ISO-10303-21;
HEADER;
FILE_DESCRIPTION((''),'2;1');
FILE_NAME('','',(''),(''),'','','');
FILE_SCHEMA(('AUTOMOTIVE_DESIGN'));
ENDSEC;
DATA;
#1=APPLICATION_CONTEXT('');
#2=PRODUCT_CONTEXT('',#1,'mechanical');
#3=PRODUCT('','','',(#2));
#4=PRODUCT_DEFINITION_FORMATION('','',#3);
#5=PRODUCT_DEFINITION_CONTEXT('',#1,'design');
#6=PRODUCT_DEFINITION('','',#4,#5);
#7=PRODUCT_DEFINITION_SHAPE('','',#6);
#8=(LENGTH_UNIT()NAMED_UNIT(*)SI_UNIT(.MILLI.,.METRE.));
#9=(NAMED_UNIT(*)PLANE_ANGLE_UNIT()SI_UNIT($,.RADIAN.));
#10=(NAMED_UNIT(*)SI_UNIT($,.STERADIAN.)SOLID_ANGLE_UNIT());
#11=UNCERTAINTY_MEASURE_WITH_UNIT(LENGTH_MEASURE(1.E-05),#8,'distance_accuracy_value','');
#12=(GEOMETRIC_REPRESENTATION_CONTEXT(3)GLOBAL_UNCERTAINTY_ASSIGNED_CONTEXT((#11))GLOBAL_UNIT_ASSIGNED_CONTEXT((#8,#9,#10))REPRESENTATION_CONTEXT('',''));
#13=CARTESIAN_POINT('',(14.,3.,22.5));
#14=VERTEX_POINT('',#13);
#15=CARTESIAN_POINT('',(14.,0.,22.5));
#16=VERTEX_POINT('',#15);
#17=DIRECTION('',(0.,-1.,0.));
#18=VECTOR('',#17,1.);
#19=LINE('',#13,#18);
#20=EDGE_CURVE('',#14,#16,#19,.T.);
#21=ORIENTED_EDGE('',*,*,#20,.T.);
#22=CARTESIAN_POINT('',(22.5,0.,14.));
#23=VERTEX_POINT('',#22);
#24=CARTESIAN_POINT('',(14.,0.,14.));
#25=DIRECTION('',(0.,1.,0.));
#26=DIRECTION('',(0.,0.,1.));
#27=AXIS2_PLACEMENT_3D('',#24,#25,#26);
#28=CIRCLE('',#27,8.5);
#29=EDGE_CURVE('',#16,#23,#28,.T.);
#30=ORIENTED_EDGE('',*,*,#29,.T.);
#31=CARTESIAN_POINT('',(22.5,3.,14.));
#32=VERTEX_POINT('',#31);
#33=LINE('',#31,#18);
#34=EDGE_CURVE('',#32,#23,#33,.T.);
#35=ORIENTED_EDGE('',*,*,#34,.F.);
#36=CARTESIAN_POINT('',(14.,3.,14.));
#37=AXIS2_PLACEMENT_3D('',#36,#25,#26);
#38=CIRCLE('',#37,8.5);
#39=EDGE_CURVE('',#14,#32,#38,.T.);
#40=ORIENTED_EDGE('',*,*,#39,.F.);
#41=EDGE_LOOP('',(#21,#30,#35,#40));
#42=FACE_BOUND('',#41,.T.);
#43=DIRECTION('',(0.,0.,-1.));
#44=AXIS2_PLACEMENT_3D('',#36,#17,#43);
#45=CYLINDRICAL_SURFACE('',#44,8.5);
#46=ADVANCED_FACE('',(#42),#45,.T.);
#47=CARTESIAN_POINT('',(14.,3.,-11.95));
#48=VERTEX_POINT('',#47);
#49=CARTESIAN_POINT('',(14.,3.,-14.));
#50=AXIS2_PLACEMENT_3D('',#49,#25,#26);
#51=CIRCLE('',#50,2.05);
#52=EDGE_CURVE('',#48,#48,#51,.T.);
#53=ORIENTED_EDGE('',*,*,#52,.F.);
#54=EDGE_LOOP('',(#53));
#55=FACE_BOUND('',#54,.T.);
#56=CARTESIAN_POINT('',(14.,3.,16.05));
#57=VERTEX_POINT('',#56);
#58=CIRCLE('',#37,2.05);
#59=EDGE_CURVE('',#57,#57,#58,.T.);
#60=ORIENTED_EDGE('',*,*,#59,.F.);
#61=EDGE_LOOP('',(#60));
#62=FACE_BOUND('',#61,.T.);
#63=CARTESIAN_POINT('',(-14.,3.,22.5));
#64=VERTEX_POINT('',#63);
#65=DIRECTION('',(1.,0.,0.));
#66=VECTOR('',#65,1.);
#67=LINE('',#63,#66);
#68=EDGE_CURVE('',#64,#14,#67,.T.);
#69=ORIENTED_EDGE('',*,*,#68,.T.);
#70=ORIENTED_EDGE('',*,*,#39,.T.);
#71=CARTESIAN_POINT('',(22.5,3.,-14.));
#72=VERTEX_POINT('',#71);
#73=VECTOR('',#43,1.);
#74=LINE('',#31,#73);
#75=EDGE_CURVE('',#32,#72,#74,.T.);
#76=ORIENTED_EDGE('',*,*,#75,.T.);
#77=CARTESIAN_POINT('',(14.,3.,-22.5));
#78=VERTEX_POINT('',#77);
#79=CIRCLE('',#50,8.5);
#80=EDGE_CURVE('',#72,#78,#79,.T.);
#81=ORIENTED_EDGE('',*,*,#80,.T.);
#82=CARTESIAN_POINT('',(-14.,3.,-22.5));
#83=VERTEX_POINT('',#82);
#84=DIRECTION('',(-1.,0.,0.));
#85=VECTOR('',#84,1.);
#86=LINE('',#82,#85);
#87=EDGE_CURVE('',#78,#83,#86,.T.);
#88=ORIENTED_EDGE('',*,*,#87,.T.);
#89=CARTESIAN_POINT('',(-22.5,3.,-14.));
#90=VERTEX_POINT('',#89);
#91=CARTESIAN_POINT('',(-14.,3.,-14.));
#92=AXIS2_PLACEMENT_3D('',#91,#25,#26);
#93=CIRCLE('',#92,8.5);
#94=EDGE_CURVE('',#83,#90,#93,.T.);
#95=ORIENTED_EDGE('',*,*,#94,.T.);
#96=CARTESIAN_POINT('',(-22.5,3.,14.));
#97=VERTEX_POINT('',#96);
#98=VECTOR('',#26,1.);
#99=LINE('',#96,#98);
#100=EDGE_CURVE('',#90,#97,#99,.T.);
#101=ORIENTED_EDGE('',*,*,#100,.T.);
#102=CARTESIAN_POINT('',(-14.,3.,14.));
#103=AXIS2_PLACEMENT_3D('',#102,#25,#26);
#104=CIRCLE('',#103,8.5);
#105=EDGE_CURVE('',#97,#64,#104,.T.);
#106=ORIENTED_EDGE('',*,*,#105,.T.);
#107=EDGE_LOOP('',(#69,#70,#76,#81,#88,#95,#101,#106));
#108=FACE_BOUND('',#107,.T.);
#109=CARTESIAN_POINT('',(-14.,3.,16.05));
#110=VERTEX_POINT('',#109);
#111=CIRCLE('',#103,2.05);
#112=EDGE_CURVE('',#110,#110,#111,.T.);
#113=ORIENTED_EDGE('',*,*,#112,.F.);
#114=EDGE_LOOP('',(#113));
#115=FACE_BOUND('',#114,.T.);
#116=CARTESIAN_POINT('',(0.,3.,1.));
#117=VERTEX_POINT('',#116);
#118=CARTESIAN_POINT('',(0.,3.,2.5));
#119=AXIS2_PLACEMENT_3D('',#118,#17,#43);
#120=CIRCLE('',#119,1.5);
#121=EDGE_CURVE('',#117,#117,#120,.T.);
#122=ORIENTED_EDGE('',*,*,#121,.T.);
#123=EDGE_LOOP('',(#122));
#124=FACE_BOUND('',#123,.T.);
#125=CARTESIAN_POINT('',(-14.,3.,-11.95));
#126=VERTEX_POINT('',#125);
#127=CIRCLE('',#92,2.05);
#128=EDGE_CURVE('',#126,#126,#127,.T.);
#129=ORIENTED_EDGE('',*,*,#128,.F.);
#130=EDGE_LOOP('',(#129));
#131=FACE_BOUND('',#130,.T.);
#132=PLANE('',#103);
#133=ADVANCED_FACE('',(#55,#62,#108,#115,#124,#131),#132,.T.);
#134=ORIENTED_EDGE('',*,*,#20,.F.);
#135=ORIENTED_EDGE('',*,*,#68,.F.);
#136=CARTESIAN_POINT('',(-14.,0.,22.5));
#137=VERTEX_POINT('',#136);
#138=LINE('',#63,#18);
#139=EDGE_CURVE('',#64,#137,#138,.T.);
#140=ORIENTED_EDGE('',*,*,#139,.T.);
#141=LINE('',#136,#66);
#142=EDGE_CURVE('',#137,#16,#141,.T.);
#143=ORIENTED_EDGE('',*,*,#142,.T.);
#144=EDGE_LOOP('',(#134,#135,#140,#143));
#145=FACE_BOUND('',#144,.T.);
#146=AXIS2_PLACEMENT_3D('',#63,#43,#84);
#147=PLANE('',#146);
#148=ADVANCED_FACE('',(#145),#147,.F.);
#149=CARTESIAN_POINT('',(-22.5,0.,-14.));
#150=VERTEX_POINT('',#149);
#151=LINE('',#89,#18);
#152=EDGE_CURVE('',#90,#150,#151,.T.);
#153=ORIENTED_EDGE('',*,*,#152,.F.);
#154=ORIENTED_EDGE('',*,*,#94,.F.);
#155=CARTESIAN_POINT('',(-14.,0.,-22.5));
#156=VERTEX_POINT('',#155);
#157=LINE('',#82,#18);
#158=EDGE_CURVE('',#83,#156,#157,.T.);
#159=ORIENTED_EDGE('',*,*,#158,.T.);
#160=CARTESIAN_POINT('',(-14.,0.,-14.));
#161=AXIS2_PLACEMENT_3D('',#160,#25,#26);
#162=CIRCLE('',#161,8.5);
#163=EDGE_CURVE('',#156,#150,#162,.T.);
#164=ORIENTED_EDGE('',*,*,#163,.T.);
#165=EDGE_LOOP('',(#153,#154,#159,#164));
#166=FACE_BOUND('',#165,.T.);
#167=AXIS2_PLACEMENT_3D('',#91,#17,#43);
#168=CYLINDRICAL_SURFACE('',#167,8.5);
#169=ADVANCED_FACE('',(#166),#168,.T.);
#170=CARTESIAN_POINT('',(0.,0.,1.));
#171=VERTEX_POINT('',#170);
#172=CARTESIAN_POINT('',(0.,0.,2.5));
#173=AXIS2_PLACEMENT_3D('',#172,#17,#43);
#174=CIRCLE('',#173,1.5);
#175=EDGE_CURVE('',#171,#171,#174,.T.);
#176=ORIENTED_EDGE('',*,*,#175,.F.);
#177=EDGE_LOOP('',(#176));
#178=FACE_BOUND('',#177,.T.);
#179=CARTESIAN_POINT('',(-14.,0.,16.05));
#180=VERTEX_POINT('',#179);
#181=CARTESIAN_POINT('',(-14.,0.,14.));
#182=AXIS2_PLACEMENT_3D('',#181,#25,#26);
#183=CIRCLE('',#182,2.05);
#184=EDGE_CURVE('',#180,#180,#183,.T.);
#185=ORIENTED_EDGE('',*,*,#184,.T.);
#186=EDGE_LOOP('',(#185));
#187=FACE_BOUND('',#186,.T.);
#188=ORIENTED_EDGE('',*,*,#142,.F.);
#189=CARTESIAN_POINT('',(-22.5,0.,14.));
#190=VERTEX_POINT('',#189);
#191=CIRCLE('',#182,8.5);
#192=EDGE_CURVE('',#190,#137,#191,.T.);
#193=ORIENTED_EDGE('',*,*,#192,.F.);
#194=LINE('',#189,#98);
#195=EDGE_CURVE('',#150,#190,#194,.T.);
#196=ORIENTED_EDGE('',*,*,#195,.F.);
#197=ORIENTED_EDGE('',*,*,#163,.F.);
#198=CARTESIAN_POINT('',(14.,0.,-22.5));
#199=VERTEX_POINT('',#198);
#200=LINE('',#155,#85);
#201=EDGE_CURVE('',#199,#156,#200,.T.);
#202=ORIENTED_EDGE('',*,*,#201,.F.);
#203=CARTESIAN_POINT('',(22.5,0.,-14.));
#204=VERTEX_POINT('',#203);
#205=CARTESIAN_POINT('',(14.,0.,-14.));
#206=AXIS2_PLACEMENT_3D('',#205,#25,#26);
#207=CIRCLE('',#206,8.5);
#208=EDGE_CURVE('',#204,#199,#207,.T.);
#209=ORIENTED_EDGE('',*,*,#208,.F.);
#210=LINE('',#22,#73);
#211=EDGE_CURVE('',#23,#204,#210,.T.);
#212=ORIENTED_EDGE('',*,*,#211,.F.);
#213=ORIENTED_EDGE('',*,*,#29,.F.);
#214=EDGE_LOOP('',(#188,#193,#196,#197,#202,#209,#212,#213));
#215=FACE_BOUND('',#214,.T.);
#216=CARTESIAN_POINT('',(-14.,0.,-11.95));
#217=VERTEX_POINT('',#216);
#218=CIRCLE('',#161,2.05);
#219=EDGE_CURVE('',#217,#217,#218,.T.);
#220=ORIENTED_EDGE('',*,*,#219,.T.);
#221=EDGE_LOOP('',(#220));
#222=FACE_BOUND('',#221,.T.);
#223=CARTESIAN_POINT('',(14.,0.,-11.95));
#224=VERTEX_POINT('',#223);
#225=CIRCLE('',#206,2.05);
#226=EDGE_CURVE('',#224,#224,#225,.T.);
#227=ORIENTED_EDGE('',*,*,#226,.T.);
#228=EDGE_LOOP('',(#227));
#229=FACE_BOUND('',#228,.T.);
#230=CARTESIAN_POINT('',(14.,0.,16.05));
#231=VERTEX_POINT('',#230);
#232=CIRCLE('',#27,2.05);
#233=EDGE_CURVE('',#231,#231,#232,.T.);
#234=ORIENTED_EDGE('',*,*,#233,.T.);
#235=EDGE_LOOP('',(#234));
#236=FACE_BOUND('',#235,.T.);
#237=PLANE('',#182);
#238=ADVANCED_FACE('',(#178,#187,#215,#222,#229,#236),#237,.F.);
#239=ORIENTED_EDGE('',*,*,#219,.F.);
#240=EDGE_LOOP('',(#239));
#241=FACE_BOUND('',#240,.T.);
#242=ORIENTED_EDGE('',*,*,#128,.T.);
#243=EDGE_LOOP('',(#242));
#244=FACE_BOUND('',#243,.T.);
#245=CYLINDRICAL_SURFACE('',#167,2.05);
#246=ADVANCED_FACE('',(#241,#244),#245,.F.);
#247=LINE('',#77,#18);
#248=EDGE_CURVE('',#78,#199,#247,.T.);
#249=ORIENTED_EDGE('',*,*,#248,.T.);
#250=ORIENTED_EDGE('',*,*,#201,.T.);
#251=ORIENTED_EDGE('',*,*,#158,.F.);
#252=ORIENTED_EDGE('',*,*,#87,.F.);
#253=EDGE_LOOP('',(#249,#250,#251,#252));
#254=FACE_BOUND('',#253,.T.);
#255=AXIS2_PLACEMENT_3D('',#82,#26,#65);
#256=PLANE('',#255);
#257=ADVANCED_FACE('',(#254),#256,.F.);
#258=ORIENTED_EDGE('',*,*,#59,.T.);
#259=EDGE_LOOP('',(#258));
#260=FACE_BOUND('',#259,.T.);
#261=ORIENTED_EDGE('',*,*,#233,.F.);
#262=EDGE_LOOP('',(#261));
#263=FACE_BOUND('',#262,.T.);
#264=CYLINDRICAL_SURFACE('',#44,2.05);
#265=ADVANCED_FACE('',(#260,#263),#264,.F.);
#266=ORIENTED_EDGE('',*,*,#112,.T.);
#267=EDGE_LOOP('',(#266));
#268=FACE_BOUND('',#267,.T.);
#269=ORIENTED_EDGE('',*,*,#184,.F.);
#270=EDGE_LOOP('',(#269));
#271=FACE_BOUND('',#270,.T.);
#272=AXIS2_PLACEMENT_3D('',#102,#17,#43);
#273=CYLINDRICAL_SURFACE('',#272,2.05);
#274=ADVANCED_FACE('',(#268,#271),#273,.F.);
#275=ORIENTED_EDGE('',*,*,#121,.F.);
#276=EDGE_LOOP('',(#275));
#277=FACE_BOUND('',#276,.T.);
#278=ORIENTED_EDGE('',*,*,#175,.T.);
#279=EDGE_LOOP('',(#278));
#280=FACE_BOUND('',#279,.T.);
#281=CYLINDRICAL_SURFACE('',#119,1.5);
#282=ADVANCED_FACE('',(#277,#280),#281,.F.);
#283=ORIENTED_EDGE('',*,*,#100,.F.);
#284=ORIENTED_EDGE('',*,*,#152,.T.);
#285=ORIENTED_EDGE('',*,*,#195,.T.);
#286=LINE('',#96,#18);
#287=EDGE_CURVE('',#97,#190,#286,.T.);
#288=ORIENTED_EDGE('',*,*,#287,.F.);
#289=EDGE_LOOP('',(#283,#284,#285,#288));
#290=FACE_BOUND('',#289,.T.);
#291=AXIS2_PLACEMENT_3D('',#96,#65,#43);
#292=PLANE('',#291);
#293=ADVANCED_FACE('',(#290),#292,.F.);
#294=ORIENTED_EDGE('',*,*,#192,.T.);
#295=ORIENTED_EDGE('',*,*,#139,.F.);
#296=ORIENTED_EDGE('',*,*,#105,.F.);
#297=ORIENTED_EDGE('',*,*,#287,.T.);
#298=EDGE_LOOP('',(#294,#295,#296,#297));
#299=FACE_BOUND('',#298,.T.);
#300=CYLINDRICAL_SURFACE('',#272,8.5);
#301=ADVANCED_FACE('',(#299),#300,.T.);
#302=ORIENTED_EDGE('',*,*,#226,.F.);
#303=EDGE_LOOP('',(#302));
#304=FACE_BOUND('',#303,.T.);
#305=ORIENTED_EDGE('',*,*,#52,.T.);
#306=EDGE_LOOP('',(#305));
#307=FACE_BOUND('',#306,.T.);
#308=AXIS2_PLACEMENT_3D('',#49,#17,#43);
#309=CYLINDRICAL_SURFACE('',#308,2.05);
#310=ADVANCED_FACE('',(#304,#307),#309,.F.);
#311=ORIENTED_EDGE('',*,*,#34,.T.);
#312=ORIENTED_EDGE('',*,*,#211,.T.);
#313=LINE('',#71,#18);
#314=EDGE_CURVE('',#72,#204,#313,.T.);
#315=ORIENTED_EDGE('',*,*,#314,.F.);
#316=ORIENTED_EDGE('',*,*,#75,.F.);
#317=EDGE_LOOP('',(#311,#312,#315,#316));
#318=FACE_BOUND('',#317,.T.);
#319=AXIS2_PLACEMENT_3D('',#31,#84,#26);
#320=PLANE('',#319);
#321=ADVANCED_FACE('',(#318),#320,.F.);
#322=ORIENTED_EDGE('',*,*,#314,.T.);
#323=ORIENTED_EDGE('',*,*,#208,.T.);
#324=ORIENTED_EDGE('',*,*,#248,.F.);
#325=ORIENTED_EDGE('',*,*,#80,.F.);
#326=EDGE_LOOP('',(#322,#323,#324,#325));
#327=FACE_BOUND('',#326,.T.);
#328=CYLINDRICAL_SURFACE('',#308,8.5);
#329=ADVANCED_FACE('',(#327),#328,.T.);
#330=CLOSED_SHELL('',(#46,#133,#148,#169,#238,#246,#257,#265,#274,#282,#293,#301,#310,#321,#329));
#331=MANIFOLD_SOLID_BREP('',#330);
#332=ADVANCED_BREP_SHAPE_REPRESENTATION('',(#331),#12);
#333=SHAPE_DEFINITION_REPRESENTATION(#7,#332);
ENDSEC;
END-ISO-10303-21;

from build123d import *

# Parameters (mm, degrees)
SKETCH_1_R          = 2.05
EXTRUDE_1_DEPTH     = 3
SKETCH_2_R          = 1.5
CUT_EXTRUDE_1_DEPTH = 3


with BuildPart() as part:
    # Эскиз1 → Бобышка-Вытянуть1 (new body)
    with BuildSketch(Plane(origin=(0, 0, 0), x_dir=(1, 0, 0), z_dir=(0, 1, 0))):
        with BuildLine():
            Line((-14, -22.5), (14, -22.5))
            ThreePointArc((14, -22.5), (20.01040764, -20.01040764), (22.5, -14))
            Line((22.5, -14), (22.5, 14))
            ThreePointArc((22.5, 14), (20.01040764, 20.01040764), (14, 22.5))
            Line((14, 22.5), (-14, 22.5))
            ThreePointArc((-14, 22.5), (-20.01040764, 20.01040764), (-22.5, 14))
            Line((-22.5, 14), (-22.5, -14))
            ThreePointArc((-22.5, -14), (-20.01040764, -20.01040764), (-14, -22.5))
        make_face()
        with Locations(Location((14, 14, 0), (0, 0, 270))):
            Circle(SKETCH_1_R, mode=Mode.SUBTRACT)
        with Locations(Location((14, -14, 0), (0, 0, 270))):
            Circle(SKETCH_1_R, mode=Mode.SUBTRACT)
        with Locations(Location((-14, -14, 0), (0, 0, 270))):
            Circle(SKETCH_1_R, mode=Mode.SUBTRACT)
        with Locations(Location((-14, 14, 0), (0, 0, 270))):
            Circle(SKETCH_1_R, mode=Mode.SUBTRACT)
    extrude(amount=EXTRUDE_1_DEPTH)

    # Эскиз2 → Вырез-Вытянуть1 (cut)
    with BuildSketch(Plane.XZ):
        with Locations(Location((0, 2.5, 0), (0, 0, 270))):
            Circle(SKETCH_2_R)
    extrude(amount=-CUT_EXTRUDE_1_DEPTH, mode=Mode.SUBTRACT)


solid = part.part
